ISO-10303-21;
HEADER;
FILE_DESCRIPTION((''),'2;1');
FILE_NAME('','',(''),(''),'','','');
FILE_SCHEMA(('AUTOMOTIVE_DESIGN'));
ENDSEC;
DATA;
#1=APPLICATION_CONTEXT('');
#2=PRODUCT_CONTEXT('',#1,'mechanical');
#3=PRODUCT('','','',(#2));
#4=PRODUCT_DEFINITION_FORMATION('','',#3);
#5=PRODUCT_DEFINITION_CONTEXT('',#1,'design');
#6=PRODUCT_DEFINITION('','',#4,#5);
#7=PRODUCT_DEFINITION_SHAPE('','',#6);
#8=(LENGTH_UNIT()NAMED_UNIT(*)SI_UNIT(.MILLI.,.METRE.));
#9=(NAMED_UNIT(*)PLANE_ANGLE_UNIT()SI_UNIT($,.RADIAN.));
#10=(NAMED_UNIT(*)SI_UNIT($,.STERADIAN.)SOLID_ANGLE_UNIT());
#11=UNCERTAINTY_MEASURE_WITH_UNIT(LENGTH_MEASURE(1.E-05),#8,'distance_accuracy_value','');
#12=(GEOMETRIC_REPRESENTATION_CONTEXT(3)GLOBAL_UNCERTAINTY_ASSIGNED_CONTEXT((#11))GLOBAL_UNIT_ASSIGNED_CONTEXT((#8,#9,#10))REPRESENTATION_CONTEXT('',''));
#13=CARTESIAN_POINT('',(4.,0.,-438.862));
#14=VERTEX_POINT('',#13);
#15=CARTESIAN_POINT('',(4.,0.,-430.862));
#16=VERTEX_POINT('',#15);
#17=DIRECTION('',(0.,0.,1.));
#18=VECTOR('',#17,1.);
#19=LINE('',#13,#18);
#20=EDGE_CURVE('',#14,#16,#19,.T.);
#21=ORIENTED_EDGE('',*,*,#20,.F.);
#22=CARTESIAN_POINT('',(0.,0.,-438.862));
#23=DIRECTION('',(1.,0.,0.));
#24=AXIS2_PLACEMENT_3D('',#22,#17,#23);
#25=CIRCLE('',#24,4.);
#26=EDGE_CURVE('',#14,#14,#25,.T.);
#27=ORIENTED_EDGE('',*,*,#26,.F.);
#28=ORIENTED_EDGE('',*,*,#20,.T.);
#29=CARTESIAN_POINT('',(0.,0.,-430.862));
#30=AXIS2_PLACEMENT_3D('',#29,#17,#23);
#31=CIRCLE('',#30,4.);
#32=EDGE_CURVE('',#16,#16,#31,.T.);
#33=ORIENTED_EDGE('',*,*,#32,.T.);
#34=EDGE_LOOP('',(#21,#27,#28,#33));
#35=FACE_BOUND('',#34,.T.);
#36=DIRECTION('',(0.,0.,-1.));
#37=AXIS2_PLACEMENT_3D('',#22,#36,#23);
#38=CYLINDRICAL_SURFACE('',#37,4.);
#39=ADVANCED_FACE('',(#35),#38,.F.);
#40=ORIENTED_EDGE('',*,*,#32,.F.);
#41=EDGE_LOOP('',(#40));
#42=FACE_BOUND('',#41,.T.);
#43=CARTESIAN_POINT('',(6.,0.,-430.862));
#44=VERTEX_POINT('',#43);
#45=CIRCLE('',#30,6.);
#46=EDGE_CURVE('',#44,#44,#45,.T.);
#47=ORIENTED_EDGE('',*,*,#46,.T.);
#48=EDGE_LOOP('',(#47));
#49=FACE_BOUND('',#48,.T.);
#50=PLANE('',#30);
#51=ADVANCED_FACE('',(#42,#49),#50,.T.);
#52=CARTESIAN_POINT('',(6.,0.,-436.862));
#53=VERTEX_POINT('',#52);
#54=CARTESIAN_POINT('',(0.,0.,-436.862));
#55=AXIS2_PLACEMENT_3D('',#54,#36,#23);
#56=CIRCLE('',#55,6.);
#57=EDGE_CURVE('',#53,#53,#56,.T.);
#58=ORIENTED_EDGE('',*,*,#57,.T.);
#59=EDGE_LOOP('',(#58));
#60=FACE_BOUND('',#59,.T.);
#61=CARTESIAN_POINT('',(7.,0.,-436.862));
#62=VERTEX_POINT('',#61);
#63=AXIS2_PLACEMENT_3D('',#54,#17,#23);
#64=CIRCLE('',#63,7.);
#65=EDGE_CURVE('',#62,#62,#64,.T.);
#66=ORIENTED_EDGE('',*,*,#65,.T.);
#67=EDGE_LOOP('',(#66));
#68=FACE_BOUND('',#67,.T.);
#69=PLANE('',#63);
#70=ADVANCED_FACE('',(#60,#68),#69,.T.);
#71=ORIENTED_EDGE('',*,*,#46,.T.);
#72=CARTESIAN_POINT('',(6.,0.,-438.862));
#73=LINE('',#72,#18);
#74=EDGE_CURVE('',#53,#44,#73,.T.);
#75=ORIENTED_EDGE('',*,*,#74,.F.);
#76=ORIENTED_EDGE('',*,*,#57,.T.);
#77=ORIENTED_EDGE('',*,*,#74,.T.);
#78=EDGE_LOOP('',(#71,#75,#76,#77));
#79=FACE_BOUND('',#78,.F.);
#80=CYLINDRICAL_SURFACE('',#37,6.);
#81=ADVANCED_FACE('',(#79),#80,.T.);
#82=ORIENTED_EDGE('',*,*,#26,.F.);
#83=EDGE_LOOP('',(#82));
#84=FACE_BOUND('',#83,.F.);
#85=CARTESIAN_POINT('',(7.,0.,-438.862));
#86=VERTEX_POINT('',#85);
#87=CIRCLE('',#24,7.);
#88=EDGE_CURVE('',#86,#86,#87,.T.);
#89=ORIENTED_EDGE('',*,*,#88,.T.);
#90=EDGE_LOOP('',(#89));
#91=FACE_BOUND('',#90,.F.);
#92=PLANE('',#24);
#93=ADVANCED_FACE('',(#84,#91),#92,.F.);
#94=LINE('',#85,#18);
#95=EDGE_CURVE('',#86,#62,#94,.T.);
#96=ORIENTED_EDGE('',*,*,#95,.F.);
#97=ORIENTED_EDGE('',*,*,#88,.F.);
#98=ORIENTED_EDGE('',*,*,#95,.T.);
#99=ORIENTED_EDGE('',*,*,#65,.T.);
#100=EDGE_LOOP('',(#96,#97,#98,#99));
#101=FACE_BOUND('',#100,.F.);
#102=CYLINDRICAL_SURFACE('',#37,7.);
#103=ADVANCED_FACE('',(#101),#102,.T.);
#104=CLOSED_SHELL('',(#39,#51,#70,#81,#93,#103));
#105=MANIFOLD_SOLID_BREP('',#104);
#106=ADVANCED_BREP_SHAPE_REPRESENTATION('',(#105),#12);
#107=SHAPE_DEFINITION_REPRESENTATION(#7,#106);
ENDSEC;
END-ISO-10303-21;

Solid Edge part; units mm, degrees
sketch "Sketch1" plane through (0, 0, -438.862) normal (0, 0, 1) x (1, 0, 0)
  circle A0 centre (0, 0) radius 4
  circle A1 centre (0, 0) radius 6
extrude "ExtrudedProtrusion_1" add sketch "Sketch1" along normal blind 8
sketch "Sketch2" plane through (0, 0, -438.862) normal (0, 0, 1) x (1, 0, 0)
  circle A0 centre (0, 0) radius 4.1
  circle A1 centre (0, 0) radius 7
extrude "ExtrudedProtrusion_2" add sketch "Sketch2" along normal blind 2
properties material "ABS Plastic, medium impact"
